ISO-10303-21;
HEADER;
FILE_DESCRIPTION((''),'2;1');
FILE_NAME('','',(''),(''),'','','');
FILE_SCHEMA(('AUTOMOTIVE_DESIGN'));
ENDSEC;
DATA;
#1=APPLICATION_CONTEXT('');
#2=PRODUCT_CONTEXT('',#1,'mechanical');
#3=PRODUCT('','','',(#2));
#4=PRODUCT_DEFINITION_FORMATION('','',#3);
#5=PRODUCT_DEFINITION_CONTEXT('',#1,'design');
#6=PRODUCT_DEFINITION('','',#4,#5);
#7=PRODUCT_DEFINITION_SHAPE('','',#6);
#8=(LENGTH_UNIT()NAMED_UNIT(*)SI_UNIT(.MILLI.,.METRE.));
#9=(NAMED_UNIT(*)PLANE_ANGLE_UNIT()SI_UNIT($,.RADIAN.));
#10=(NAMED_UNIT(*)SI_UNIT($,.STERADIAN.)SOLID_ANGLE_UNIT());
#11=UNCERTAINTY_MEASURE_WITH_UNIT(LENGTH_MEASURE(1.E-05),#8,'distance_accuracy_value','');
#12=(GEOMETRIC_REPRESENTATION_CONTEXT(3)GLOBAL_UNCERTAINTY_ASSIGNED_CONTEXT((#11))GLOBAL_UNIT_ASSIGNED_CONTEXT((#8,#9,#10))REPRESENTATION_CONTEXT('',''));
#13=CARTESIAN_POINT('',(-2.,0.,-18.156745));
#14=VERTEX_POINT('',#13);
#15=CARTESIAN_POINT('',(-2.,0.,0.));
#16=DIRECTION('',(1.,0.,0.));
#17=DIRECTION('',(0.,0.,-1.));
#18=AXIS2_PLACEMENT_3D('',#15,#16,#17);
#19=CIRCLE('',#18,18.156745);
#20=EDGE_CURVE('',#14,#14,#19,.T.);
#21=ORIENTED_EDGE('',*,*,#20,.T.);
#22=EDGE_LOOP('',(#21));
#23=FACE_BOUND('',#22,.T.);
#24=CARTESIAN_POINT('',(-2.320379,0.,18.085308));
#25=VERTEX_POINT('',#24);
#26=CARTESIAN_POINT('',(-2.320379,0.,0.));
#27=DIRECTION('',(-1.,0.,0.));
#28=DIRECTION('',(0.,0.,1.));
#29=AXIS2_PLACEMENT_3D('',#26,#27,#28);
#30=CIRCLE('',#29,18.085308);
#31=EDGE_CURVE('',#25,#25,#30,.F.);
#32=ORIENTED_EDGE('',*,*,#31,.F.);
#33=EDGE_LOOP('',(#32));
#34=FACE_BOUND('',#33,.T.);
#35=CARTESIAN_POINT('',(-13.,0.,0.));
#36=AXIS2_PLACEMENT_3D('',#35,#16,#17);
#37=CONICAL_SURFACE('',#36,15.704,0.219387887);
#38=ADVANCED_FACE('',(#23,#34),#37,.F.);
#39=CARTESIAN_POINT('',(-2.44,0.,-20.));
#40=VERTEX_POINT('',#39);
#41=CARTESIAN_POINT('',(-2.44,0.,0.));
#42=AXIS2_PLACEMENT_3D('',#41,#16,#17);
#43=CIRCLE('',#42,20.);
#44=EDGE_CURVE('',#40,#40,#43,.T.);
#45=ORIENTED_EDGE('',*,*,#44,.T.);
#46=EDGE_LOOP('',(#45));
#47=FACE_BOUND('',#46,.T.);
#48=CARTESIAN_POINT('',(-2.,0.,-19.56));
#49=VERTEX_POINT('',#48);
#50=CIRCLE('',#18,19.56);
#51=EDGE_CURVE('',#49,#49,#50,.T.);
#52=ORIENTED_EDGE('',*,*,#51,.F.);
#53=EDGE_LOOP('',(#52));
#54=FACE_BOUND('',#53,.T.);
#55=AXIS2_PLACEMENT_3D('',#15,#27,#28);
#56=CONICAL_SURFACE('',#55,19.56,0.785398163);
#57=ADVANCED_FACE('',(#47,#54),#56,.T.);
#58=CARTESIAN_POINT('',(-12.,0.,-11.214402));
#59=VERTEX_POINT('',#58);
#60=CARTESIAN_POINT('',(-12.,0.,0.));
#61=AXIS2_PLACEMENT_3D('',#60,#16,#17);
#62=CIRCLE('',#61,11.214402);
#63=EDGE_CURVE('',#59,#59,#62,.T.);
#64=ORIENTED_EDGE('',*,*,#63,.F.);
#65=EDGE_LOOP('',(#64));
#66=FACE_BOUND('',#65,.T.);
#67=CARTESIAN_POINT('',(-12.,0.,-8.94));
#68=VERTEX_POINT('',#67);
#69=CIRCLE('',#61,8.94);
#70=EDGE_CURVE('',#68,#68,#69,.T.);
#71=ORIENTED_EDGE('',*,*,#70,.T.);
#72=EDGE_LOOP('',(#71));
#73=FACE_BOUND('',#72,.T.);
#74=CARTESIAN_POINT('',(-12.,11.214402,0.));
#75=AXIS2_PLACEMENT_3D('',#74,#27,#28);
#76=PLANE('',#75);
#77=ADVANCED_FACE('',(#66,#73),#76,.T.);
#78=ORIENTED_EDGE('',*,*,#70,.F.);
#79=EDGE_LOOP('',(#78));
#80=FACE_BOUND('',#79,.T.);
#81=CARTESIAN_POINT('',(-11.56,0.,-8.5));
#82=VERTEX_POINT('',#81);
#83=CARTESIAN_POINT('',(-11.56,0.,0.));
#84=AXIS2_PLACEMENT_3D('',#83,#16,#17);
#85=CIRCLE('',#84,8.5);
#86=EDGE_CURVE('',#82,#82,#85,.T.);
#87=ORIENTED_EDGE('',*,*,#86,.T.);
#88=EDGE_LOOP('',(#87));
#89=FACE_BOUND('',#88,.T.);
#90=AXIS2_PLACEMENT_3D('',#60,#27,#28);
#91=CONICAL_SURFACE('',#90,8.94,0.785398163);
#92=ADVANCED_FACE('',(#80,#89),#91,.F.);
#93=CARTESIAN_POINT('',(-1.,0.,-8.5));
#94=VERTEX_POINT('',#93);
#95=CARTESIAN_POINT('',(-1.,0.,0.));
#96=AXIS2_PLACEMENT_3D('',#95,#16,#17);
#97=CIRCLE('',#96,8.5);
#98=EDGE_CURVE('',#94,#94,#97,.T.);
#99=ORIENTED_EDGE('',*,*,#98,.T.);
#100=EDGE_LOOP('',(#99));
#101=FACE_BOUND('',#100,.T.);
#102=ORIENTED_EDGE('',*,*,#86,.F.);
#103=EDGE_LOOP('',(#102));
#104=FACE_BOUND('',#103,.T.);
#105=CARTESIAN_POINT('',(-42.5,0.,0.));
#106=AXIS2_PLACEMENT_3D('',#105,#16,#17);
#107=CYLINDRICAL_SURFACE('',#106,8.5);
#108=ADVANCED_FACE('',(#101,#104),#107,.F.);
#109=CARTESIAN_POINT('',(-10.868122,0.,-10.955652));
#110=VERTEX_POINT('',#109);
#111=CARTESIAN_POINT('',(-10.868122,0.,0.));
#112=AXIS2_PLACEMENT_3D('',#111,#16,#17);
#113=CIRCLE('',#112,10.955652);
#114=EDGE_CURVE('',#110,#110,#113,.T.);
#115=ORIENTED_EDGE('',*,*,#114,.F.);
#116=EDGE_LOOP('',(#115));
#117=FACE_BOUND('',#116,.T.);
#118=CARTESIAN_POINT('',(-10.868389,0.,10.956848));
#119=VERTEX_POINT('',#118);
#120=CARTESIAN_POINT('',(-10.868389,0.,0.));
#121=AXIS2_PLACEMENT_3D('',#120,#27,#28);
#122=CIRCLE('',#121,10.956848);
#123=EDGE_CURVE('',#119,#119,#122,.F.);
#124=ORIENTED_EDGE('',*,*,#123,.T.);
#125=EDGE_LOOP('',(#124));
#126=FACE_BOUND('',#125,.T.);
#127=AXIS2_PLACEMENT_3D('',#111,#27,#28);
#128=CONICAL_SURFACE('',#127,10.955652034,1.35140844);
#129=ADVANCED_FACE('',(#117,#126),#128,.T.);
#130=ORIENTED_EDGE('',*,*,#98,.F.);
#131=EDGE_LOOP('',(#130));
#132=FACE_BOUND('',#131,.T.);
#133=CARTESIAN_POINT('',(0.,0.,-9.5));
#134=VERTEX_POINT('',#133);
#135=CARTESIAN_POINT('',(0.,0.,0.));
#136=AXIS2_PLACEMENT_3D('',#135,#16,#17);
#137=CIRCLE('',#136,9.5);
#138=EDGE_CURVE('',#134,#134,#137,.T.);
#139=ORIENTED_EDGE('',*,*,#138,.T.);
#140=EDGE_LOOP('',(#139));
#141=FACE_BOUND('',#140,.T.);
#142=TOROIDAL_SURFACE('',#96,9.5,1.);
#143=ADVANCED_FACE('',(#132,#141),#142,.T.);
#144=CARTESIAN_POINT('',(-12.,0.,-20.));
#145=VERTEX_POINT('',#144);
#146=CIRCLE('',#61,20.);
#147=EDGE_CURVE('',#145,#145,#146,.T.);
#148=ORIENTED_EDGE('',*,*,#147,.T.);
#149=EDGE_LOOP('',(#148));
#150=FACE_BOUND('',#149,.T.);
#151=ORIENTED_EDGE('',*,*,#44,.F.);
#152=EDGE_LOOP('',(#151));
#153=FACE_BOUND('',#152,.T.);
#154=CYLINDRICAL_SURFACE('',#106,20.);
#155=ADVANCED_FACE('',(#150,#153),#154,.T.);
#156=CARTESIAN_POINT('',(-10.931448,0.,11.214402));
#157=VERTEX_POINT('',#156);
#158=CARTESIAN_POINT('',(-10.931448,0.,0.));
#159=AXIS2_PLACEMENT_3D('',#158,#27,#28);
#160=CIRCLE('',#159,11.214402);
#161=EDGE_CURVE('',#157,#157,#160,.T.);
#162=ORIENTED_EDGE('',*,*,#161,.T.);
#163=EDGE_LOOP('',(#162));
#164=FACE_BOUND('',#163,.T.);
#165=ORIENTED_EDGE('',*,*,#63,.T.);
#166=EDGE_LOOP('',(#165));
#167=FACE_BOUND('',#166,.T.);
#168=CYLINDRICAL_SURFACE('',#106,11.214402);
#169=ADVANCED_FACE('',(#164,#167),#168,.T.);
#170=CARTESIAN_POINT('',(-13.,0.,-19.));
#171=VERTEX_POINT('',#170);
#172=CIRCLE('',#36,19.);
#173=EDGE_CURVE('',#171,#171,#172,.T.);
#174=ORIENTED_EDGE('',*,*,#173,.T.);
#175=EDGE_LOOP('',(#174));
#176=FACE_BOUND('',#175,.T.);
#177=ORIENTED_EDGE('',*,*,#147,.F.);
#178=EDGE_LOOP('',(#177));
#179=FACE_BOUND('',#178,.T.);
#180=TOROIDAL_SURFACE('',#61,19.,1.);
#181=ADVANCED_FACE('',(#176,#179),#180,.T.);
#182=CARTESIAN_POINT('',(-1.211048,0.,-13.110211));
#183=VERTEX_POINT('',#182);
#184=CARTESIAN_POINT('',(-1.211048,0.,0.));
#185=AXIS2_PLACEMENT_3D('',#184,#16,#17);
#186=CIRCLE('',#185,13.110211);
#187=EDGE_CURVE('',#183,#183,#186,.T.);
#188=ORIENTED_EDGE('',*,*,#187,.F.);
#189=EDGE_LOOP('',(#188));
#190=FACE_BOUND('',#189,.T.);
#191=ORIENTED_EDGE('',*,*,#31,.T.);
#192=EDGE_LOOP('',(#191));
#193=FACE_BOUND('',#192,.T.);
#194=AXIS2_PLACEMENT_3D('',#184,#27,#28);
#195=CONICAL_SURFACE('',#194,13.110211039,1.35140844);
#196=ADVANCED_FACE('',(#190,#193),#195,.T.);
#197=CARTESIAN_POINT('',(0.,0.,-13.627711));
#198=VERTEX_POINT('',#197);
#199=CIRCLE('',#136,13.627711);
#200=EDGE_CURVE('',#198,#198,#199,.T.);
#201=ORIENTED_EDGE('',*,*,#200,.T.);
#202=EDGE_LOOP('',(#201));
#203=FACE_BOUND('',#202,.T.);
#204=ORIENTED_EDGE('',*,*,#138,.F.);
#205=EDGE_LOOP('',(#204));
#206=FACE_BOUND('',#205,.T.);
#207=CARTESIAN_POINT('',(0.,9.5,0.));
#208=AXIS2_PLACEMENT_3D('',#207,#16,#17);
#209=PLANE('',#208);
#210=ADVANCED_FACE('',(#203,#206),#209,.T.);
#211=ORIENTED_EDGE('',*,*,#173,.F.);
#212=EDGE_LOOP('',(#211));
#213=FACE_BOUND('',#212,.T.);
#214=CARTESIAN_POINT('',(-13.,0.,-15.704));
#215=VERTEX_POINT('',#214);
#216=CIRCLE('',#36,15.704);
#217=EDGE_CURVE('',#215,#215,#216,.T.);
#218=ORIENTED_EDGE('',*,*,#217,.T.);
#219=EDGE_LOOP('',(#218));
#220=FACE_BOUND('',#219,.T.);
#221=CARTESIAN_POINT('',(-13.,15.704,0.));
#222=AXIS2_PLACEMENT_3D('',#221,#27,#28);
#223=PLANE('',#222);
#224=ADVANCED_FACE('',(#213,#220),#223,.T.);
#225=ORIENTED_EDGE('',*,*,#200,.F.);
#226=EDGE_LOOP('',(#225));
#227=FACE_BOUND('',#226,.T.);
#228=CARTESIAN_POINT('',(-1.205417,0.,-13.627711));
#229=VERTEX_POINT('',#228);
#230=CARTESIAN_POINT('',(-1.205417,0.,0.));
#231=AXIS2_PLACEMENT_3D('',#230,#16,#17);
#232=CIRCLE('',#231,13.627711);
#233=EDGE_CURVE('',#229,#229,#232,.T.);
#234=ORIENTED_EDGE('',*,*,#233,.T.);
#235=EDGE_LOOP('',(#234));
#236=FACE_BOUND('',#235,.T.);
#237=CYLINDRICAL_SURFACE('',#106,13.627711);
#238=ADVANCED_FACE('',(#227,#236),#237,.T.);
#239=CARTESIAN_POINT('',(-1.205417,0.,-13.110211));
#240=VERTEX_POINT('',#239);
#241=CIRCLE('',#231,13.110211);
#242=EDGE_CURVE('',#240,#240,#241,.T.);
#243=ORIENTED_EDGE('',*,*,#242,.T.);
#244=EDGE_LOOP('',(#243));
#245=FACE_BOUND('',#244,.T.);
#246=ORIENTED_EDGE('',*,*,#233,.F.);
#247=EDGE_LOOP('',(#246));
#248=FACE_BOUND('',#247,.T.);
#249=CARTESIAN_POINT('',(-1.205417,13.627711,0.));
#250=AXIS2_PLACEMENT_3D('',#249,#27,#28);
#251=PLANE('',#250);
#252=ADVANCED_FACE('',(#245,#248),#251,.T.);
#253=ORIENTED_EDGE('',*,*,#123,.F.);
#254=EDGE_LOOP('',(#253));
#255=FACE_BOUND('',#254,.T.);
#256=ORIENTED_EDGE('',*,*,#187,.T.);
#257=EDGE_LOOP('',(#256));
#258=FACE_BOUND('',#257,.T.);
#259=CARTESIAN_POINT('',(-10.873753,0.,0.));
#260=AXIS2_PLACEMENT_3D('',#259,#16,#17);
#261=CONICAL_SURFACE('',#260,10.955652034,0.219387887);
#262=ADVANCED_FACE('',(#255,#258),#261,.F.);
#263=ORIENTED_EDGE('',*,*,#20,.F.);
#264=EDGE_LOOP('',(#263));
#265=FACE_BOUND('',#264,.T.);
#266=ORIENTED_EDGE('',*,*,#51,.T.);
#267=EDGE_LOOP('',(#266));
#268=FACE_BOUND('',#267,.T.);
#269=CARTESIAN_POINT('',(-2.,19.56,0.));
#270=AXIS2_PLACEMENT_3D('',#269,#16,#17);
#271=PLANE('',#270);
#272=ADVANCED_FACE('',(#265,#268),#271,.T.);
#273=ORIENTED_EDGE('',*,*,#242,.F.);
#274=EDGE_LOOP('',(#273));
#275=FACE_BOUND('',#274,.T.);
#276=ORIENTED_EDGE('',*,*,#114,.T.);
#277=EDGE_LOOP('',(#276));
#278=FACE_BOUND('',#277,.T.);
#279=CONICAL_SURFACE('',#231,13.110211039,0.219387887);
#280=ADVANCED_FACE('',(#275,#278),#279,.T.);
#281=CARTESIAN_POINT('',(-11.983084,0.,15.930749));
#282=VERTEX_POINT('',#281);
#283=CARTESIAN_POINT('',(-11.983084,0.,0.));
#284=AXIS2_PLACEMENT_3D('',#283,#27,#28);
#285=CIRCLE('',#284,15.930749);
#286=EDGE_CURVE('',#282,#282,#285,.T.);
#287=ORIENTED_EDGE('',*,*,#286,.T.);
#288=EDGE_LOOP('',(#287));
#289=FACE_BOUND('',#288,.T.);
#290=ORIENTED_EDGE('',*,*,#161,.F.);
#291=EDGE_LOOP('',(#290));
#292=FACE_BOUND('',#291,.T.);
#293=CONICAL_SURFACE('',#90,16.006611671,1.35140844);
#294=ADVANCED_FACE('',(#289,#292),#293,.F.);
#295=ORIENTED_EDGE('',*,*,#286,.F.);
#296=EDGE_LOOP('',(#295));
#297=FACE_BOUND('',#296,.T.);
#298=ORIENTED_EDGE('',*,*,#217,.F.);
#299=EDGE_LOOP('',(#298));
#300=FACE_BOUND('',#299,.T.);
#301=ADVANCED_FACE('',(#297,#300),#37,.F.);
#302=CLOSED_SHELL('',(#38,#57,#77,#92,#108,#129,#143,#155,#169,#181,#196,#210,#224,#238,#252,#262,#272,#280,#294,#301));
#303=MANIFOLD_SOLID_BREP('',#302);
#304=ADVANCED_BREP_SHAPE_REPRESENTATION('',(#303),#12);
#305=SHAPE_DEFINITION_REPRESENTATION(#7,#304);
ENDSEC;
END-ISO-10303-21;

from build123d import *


with BuildPart() as part:
    # OutRacSke → OuterRace (revolve)
    with BuildSketch(Plane.XY):
        with BuildLine():
            Line((-2, 18.15674466), (-13, 15.704))
            Line((-13, 15.704), (-13, 19))
            ThreePointArc((-13, 19), (-12.707106781, 19.707106781), (-12, 20))
            Line((-12, 20), (-2.44, 20))
            Line((-2.44, 20), (-2, 19.56))
            Line((-2, 19.56), (-2, 18.15674466))
        make_face()
    revolve(axis=Axis((-42.5, 0, 0), (1, 0, 0)))

    # RolSimSke → RollersSimplified (revolve)
    with BuildSketch(Plane.XY):
        Polygon((-12, 16.006611671), (-2.337294608, 18.161170676), (-1.211047855, 13.110211039), (-10.873753248, 10.955652034), align=None)
    revolve(axis=Axis((0, 0, 0), (-1, 0, 0)))

    # InsRacSke → InnerRace (revolve)
    with BuildSketch(Plane.XY):
        with BuildLine():
            Line((-10.925817259, 11.214402034), (-12, 11.214402034))
            Line((-12, 11.214402034), (-12, 8.94))
            Line((-12, 8.94), (-11.56, 8.5))
            Line((-11.56, 8.5), (-1, 8.5))
            ThreePointArc((-1, 8.5), (-0.292893219, 8.792893219), (0, 9.5))
            Line((0, 9.5), (0, 13.627711039))
            Line((0, 13.627711039), (-1.205416623, 13.627711039))
            Line((-1.205416623, 13.627711039), (-1.205416623, 13.110211039))
            Line((-1.205416623, 13.110211039), (-10.868122015, 10.955652034))
            Line((-10.868122015, 10.955652034), (-10.925817259, 11.214402034))
        make_face()
    revolve(axis=Axis((-42.5, 0, 0), (1, 0, 0)))


solid = part.part
